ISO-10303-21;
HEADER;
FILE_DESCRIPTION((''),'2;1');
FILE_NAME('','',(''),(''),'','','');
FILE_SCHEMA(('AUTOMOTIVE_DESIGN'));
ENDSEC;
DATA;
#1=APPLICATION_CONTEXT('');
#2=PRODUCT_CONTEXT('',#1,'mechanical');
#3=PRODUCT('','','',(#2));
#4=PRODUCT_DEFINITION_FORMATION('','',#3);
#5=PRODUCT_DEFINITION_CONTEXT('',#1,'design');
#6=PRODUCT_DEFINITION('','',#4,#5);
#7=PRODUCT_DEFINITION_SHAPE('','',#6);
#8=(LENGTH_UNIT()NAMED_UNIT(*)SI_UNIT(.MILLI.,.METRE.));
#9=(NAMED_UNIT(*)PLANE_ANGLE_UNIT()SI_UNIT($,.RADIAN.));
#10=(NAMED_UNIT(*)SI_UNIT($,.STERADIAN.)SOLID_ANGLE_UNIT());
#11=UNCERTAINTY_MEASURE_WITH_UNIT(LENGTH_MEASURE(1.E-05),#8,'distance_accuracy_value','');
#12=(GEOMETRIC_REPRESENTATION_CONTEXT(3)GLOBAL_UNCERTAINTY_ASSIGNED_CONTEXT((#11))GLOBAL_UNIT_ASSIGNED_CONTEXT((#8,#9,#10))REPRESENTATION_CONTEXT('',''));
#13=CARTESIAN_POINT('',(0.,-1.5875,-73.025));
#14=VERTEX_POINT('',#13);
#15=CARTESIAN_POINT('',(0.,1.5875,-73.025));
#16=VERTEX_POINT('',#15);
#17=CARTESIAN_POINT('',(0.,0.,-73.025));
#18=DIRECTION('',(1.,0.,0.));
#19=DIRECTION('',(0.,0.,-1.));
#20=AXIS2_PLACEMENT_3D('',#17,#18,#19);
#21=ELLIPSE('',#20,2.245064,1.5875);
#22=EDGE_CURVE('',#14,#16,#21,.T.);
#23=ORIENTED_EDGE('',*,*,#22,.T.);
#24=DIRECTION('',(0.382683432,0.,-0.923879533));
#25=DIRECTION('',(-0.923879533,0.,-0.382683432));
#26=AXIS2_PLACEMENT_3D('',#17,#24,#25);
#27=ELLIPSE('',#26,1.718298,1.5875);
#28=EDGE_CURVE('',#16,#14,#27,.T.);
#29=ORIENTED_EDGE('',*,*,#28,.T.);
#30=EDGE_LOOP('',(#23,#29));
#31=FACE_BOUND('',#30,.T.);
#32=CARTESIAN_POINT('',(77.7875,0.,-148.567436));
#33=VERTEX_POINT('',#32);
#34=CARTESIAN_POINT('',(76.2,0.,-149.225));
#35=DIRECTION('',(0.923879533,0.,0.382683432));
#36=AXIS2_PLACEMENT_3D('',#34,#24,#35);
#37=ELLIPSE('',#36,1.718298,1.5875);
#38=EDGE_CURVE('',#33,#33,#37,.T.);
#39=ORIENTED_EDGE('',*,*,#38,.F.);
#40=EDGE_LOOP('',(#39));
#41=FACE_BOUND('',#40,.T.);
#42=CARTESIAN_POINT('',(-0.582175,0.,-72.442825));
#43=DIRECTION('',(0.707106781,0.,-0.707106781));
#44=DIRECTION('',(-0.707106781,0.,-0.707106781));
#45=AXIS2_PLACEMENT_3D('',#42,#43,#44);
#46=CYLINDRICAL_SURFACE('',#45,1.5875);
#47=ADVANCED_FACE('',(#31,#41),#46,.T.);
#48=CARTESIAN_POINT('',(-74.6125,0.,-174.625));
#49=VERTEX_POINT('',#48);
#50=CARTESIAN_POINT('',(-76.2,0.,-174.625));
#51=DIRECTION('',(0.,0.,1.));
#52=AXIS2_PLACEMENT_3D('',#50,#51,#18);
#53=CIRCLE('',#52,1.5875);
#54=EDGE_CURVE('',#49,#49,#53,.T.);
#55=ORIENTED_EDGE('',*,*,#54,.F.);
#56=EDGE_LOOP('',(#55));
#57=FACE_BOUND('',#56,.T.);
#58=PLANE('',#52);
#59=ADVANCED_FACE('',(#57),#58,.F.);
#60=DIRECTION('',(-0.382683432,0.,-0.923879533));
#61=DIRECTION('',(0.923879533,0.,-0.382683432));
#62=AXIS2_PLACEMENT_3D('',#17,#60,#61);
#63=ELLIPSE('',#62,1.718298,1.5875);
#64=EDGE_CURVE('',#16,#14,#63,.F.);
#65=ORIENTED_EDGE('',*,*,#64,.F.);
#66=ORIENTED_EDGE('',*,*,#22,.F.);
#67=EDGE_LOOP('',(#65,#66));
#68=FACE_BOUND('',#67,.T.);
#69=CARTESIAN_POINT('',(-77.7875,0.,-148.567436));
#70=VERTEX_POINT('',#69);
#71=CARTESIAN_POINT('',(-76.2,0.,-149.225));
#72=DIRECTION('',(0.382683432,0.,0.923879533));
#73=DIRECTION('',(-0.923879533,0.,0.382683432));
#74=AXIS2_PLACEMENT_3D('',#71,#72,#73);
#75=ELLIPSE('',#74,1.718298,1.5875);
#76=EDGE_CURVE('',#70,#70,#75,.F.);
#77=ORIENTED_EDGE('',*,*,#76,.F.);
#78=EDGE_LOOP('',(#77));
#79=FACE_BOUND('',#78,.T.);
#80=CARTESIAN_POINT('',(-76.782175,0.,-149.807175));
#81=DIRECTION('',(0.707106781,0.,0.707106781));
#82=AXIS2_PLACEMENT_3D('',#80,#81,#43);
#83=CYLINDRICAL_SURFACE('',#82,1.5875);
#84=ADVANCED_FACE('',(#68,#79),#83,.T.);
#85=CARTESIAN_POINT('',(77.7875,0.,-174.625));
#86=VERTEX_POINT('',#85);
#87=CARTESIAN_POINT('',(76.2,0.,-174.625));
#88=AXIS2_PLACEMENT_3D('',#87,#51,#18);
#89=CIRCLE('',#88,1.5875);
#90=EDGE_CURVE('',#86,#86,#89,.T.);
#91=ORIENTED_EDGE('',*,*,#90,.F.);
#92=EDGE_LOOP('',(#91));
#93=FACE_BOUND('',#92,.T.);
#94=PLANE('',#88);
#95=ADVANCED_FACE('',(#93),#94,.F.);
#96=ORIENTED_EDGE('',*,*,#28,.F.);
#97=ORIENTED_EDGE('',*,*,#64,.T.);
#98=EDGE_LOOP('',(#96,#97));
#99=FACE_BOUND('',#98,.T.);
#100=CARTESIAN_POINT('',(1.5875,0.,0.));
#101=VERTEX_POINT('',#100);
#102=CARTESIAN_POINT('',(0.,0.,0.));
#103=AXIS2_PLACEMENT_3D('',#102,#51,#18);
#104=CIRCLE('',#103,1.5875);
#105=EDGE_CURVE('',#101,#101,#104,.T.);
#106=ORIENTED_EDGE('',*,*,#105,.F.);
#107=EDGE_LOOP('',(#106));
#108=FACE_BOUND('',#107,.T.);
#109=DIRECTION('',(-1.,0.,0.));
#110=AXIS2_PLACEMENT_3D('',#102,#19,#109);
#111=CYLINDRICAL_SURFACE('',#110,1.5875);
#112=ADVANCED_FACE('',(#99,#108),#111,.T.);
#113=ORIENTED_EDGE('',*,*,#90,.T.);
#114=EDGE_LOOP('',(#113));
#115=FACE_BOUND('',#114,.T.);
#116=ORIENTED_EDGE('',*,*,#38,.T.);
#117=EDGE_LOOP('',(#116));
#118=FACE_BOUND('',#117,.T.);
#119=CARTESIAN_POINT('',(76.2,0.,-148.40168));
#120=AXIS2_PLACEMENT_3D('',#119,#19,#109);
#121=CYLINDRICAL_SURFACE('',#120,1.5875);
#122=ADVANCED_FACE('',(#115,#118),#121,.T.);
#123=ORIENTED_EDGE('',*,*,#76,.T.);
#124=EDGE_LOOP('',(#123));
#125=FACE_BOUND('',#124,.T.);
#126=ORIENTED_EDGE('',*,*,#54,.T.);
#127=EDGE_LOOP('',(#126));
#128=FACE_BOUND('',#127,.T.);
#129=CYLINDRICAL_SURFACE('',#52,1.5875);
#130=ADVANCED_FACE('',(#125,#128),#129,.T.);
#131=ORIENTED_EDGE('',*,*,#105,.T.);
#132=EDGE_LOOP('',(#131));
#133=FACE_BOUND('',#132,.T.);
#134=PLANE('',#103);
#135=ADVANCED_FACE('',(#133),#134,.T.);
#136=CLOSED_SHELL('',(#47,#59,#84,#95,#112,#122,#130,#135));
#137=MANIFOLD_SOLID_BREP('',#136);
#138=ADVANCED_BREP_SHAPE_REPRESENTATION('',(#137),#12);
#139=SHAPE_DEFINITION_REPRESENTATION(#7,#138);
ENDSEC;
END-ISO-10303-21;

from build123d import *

# Parameters (mm, degrees)
SKETCH2_R = 1.5875
SKETCH3_R = 1.5875


with BuildPart() as part:
    # Sweep1: sweep along a path in Sketch1
    with BuildLine(Plane(origin=(0, 0, 0), x_dir=(1, 0, 0), z_dir=(0, 1, 0))) as sweep1_path:
        Line((0, 0), (0, 73.025))
        Line((0, 73.025), (76.2, 149.225))
        Line((76.2, 149.225), (76.2, 174.625))
    # Sketch2 → Sweep1 (sweep)
    with BuildSketch(Plane.XY):
        Circle(SKETCH2_R)
    sweep(path=sweep1_path.line, transition=Transition.RIGHT)

    # Sweep4: sweep along a path in Sketch4
    with BuildLine(Plane(origin=(0, 0, 0), x_dir=(1, 0, 0), z_dir=(0, 1, 0))) as sweep4_path:
        Line((-76.2, 174.625), (-76.2, 149.225))
        Line((-76.2, 149.225), (0, 73.025))
    # Sketch3 → Sweep4 (sweep)
    with BuildSketch(Plane(origin=(-76.2, 0, -174.625), x_dir=(1, 0, 0), z_dir=(0, 0, 1))):
        Circle(SKETCH3_R)
    sweep(path=sweep4_path.line, transition=Transition.RIGHT)


solid = part.part
